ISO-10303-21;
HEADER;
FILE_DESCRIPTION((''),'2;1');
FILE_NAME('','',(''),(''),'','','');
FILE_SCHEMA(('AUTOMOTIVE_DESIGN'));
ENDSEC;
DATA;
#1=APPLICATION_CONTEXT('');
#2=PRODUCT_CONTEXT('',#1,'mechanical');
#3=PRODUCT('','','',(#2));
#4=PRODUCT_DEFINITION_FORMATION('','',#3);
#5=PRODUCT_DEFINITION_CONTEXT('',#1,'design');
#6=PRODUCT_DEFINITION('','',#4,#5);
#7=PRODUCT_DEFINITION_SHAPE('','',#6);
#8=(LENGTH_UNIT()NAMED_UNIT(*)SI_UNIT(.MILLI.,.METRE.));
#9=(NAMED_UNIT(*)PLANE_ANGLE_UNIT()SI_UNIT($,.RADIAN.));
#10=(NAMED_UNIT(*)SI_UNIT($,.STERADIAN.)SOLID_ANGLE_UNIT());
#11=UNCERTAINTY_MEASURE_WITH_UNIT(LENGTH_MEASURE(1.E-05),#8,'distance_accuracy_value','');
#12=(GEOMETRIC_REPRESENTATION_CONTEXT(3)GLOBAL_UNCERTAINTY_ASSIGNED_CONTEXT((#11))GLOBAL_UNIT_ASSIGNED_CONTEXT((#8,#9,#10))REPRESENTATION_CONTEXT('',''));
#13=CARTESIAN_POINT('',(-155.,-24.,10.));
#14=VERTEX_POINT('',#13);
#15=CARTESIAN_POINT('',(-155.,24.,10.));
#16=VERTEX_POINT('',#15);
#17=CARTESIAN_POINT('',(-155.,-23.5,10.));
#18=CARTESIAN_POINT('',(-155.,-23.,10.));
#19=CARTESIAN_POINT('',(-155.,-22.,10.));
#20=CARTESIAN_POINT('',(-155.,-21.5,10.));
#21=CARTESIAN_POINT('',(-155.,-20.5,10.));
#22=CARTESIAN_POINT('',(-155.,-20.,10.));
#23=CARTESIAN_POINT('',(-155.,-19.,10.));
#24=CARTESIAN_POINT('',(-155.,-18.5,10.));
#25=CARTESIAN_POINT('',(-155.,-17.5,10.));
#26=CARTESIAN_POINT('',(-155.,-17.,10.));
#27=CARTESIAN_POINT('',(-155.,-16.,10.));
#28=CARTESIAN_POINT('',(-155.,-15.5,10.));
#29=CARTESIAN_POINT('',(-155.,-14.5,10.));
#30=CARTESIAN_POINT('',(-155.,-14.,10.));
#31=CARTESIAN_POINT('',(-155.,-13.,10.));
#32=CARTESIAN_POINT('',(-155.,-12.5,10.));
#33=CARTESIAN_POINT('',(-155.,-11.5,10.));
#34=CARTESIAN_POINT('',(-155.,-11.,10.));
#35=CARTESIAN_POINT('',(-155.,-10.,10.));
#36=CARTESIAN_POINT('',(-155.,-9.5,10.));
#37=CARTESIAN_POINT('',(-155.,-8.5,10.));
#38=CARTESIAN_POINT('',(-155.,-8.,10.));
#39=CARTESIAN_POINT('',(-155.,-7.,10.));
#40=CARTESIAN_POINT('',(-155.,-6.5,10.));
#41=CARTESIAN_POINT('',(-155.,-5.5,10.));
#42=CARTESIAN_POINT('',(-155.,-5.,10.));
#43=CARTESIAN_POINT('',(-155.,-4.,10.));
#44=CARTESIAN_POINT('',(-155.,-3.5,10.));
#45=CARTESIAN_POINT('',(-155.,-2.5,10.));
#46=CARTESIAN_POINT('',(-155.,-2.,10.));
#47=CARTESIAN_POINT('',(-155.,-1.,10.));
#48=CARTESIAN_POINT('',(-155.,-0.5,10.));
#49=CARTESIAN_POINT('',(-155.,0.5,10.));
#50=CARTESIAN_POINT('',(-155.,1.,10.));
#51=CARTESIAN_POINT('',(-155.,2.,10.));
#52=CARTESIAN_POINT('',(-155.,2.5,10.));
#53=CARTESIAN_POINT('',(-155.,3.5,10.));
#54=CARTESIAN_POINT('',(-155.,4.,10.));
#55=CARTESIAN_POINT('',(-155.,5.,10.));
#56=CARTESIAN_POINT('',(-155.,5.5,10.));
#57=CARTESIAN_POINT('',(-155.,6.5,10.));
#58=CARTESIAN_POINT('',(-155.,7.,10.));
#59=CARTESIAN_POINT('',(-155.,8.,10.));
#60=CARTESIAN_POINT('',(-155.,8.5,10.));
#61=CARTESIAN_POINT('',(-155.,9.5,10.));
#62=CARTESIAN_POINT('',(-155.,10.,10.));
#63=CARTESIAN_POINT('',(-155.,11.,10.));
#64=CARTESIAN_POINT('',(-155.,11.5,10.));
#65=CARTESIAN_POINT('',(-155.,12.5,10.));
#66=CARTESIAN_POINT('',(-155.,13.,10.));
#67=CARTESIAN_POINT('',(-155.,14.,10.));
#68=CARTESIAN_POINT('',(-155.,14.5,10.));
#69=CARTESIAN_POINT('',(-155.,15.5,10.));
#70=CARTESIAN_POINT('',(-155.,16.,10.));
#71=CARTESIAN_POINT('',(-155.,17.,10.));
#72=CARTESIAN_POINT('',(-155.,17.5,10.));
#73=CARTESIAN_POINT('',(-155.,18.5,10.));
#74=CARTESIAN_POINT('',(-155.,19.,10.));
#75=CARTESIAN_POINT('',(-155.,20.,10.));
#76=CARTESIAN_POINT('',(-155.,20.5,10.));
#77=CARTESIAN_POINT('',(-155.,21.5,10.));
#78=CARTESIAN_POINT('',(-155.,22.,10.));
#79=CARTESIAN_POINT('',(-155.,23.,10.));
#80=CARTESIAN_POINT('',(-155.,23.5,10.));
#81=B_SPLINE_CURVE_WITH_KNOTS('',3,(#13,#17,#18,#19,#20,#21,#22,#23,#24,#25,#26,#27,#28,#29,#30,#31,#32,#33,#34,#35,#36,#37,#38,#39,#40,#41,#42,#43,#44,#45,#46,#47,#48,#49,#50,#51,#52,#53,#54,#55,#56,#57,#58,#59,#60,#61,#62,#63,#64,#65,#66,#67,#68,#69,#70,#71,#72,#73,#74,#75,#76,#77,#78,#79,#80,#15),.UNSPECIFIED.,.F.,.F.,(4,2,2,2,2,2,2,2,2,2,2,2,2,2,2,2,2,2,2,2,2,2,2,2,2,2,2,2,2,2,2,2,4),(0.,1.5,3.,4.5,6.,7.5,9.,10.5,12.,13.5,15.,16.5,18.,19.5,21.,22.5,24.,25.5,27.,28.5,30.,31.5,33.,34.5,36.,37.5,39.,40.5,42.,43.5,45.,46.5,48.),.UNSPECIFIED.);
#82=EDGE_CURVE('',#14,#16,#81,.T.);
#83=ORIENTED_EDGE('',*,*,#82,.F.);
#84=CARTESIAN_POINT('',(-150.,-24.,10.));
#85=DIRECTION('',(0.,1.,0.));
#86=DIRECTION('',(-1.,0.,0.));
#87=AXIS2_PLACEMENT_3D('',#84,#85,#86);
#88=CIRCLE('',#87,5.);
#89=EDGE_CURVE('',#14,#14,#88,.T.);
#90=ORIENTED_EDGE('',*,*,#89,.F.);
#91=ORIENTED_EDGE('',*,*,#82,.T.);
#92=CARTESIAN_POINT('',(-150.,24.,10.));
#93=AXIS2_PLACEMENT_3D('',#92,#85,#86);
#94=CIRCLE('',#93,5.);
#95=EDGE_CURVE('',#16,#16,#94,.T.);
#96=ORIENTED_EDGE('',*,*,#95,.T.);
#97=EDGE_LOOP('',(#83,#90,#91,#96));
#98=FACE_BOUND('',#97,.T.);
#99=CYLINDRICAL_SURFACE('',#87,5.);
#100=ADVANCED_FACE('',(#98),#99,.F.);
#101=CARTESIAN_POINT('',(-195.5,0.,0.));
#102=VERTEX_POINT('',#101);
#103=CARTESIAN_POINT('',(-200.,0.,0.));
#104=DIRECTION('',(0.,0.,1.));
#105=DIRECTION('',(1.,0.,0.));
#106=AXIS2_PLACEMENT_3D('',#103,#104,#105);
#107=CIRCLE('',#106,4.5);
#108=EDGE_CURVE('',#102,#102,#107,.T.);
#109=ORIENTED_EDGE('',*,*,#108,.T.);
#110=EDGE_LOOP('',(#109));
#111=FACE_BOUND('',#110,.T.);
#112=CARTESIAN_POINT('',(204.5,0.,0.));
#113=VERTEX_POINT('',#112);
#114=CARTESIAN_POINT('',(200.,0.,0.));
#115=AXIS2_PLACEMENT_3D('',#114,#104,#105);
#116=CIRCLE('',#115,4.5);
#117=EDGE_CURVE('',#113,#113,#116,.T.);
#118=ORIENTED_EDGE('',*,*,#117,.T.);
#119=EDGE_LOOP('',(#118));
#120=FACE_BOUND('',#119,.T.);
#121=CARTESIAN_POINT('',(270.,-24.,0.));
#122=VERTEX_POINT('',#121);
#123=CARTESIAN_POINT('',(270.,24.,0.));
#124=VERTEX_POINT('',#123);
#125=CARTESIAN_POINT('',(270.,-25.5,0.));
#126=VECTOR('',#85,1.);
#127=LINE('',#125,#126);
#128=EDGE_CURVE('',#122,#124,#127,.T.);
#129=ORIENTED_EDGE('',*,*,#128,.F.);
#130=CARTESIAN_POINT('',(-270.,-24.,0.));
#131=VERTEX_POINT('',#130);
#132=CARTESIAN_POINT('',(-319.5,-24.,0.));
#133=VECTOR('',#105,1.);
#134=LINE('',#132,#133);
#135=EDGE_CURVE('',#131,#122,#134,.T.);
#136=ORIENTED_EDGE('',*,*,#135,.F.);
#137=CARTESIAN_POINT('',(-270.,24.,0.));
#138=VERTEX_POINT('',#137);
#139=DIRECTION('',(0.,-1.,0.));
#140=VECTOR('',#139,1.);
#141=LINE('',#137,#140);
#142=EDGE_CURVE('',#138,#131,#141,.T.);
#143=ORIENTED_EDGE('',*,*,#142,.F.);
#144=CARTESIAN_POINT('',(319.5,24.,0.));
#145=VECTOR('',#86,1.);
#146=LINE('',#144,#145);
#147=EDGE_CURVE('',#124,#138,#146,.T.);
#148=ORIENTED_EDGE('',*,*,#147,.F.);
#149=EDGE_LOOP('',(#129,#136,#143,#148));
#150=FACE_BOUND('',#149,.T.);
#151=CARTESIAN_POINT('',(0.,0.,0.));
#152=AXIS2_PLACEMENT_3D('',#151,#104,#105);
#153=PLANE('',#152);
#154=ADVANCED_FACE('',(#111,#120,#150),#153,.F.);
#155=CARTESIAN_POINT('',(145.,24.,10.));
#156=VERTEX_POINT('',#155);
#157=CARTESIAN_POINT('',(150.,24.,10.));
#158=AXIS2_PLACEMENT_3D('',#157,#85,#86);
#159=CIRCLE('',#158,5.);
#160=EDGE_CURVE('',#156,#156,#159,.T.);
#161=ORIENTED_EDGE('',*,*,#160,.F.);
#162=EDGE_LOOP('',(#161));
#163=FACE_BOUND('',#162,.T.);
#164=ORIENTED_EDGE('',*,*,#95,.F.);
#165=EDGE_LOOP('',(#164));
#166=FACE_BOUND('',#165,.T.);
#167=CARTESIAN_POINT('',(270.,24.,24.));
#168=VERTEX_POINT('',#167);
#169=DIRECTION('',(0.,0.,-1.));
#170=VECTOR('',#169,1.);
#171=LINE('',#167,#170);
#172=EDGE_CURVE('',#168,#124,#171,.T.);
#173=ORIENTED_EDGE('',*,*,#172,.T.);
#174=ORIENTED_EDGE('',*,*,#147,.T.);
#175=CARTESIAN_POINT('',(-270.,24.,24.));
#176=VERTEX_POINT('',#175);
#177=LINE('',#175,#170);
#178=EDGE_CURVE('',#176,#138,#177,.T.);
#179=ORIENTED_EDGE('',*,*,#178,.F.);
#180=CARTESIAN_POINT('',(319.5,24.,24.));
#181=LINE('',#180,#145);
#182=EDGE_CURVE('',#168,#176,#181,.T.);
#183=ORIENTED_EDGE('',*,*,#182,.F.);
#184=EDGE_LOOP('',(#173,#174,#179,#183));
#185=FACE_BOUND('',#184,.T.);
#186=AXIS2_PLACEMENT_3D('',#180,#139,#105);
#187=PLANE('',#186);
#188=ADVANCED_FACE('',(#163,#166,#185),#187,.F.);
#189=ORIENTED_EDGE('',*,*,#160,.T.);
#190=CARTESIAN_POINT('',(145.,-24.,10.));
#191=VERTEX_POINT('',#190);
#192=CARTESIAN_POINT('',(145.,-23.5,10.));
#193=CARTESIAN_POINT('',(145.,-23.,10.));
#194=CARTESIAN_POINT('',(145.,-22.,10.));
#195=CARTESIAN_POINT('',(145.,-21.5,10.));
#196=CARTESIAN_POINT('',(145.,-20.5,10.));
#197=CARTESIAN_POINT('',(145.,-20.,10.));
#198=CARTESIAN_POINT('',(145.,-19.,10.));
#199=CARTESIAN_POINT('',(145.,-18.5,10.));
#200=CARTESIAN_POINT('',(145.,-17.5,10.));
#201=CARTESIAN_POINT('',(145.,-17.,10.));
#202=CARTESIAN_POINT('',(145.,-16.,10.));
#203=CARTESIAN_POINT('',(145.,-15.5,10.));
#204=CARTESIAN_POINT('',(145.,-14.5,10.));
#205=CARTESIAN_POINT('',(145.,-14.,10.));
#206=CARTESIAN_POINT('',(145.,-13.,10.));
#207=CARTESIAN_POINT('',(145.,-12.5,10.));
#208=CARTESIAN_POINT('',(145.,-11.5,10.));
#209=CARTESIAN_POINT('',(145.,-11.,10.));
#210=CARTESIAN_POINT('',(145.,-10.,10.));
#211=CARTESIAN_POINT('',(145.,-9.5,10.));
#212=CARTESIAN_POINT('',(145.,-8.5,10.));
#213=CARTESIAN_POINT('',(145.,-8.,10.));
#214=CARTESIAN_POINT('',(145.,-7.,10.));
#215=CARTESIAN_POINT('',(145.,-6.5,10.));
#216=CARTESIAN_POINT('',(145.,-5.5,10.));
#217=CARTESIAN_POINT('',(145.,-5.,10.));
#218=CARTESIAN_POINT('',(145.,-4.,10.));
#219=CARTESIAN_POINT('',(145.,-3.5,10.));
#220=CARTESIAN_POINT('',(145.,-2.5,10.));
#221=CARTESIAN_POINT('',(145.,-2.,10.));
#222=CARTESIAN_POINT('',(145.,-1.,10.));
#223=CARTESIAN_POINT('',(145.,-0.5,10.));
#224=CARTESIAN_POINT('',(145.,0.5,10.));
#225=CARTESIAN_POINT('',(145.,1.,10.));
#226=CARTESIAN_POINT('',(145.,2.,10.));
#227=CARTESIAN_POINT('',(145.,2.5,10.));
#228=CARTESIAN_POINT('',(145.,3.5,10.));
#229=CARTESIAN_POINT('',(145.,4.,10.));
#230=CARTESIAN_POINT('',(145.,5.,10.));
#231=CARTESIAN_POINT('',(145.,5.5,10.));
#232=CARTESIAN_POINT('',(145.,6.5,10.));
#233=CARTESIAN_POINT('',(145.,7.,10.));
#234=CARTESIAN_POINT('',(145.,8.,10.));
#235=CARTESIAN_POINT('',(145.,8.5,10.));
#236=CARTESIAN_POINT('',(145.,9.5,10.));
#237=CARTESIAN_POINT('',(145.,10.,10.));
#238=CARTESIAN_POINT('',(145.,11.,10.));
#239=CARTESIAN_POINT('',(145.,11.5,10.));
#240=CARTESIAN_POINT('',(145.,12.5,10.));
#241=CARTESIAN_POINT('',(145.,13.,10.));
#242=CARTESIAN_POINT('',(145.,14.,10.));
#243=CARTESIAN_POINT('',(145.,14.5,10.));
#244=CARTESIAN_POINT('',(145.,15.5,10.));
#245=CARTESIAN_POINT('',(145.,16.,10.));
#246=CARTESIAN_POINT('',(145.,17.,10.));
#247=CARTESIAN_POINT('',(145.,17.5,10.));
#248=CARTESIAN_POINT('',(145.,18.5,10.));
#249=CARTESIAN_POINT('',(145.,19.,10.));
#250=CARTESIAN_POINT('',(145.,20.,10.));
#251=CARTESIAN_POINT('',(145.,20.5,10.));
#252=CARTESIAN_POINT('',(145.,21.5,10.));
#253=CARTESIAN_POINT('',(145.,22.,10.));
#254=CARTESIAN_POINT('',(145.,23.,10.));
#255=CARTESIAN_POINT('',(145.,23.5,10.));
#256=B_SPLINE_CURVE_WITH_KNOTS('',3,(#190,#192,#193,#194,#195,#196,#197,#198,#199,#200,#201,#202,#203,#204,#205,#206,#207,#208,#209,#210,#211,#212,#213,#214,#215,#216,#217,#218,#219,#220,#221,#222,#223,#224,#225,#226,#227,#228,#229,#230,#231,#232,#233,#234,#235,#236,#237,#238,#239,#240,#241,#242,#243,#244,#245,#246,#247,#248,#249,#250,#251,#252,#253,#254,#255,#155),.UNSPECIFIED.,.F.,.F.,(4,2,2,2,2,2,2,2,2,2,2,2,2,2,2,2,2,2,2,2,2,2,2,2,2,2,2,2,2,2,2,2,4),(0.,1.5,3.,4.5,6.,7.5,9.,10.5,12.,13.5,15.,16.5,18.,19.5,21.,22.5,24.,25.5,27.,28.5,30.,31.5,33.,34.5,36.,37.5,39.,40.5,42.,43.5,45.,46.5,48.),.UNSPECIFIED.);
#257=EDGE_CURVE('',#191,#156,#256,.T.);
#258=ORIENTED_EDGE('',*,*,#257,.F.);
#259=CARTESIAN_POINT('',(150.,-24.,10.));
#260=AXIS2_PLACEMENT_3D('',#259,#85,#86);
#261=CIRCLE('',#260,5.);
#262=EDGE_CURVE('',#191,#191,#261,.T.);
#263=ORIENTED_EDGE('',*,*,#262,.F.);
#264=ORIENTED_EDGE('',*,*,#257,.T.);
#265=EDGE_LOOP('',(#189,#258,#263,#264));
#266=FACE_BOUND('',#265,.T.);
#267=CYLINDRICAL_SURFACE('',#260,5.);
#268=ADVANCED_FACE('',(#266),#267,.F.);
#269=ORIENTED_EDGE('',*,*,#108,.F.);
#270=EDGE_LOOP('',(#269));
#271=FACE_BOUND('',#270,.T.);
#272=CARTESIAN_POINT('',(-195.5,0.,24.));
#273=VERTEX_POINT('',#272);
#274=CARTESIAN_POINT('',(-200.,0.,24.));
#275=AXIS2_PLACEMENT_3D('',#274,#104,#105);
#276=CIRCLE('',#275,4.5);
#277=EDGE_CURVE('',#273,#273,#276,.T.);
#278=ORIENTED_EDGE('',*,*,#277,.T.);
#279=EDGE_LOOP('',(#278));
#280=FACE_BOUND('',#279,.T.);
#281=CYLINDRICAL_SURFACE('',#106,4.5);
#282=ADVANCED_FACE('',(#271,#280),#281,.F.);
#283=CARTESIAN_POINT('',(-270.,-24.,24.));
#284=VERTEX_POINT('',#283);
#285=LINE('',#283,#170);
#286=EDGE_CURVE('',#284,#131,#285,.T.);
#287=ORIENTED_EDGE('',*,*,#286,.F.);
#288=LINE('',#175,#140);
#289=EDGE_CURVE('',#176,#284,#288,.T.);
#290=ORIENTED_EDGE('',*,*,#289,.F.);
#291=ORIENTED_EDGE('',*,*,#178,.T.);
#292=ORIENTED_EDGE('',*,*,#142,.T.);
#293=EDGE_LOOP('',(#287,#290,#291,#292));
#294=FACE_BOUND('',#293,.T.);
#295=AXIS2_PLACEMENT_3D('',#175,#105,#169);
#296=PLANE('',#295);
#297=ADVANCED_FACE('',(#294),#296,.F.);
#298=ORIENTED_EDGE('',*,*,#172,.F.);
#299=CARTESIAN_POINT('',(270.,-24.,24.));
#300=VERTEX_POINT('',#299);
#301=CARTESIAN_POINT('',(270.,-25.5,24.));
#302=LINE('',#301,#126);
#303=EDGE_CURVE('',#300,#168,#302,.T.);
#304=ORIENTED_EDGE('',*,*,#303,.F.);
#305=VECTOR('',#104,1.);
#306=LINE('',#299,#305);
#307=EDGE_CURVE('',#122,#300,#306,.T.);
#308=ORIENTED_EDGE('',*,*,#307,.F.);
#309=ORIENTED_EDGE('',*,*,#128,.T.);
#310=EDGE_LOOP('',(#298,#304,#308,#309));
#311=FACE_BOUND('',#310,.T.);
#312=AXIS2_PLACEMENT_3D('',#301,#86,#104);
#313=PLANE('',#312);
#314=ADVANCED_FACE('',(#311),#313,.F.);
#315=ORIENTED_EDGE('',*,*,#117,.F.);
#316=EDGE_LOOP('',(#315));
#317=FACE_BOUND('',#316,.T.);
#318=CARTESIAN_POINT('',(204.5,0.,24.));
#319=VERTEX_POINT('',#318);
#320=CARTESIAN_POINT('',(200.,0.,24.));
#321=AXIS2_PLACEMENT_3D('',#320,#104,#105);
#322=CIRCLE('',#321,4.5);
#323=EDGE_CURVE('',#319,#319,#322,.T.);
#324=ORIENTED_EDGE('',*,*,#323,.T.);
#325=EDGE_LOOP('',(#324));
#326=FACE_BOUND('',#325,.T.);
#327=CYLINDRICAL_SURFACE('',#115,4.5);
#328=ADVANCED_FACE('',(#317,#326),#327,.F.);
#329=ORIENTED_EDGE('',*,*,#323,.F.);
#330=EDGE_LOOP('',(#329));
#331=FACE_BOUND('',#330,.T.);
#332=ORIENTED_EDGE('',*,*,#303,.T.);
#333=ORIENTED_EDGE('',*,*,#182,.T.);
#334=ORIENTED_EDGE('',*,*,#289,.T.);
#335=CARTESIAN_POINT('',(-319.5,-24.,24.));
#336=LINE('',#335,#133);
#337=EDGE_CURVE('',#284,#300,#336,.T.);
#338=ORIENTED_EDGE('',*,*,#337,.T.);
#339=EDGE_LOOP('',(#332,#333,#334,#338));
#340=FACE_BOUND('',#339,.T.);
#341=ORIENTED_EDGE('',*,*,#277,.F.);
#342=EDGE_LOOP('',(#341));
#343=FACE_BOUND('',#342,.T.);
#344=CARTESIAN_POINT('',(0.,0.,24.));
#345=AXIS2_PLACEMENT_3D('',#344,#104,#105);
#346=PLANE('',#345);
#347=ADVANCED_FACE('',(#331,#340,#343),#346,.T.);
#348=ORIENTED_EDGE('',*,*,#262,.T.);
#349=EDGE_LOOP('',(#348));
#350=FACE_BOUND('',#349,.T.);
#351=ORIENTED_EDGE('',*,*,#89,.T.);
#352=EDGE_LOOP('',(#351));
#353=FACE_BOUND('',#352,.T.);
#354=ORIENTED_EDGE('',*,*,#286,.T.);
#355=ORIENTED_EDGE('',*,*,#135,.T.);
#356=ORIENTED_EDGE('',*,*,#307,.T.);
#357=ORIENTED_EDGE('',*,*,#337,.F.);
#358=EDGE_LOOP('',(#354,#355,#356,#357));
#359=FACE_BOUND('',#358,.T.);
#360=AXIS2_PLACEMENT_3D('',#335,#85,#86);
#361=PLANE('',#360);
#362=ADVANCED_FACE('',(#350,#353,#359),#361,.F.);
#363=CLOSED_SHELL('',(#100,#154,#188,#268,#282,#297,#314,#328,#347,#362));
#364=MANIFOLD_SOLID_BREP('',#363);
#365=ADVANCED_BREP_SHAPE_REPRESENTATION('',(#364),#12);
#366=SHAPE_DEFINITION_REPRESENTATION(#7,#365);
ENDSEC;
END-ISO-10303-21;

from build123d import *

# Parameters (mm, degrees)
ESQUISSE1_W             = 639
ESQUISSE1_H             = 48
BOSS_EXTRU_1_DEPTH      = 24
ENL_V_MAT_EXTRU_1_DEPTH = 322.297759096
ESQUISSE3_R             = 4.5
ENL_V_MAT_EXTRU_2_DEPTH = 322.297759096
ESQUISSE5_R             = 5
ENL_V_MAT_EXTRU_4_DEPTH = 324.975693533
ENL_V_MAT_EXTRU_5_DEPTH = 322.297759096


with BuildPart() as part:
    # Esquisse1 → Boss.-Extru.1 (new body)
    with BuildSketch(Plane.XY):
        Rectangle(ESQUISSE1_W, ESQUISSE1_H)
    extrude(amount=BOSS_EXTRU_1_DEPTH)

    # Esquisse2 → Enlèv. mat.-Extru.1 (cut, through all)
    with BuildSketch(Plane.XY.offset(24)):
        Polygon((-319.5, 24), (-271.5, -24), (-319.5, -24), align=None)
        Polygon((319.5, 24), (271.5, -24), (319.5, -24), align=None)
    extrude(amount=-ENL_V_MAT_EXTRU_1_DEPTH, mode=Mode.SUBTRACT)

    # Esquisse3 → Enlèv. mat.-Extru.2 (cut, through all)
    with BuildSketch(Plane.XY.offset(24)):
        with Locations((-200, 0)):
            Circle(ESQUISSE3_R)
        with Locations((200, 0)):
            Circle(ESQUISSE3_R)
    extrude(amount=-ENL_V_MAT_EXTRU_2_DEPTH, mode=Mode.SUBTRACT)

    # Esquisse5 → Enlèv. mat.-Extru.4 (cut, through all)
    with BuildSketch(Plane(origin=(0, 24, 0), x_dir=(1, 0, 0), z_dir=(0, 1, 0))):
        with Locations(Location((-150, -10, 0), (0, 0, 180))):
            Circle(ESQUISSE5_R)
        with Locations(Location((150, -10, 0), (0, 0, 180))):
            Circle(ESQUISSE5_R)
    extrude(amount=-ENL_V_MAT_EXTRU_4_DEPTH, mode=Mode.SUBTRACT)

    # Esquisse6 → Enlèv. mat.-Extru.5 (cut, through all)
    with BuildSketch(Plane(origin=(0, 0, 0), x_dir=(-1, 0, 0), z_dir=(0, 0, -1))):
        Polygon((-270, -25.5), (-270, 24), (-319.5, 24), align=None)
        Polygon((270, -25.5), (319.5, 24), (270, 24), align=None)
    extrude(amount=-ENL_V_MAT_EXTRU_5_DEPTH, mode=Mode.SUBTRACT)


solid = part.part
